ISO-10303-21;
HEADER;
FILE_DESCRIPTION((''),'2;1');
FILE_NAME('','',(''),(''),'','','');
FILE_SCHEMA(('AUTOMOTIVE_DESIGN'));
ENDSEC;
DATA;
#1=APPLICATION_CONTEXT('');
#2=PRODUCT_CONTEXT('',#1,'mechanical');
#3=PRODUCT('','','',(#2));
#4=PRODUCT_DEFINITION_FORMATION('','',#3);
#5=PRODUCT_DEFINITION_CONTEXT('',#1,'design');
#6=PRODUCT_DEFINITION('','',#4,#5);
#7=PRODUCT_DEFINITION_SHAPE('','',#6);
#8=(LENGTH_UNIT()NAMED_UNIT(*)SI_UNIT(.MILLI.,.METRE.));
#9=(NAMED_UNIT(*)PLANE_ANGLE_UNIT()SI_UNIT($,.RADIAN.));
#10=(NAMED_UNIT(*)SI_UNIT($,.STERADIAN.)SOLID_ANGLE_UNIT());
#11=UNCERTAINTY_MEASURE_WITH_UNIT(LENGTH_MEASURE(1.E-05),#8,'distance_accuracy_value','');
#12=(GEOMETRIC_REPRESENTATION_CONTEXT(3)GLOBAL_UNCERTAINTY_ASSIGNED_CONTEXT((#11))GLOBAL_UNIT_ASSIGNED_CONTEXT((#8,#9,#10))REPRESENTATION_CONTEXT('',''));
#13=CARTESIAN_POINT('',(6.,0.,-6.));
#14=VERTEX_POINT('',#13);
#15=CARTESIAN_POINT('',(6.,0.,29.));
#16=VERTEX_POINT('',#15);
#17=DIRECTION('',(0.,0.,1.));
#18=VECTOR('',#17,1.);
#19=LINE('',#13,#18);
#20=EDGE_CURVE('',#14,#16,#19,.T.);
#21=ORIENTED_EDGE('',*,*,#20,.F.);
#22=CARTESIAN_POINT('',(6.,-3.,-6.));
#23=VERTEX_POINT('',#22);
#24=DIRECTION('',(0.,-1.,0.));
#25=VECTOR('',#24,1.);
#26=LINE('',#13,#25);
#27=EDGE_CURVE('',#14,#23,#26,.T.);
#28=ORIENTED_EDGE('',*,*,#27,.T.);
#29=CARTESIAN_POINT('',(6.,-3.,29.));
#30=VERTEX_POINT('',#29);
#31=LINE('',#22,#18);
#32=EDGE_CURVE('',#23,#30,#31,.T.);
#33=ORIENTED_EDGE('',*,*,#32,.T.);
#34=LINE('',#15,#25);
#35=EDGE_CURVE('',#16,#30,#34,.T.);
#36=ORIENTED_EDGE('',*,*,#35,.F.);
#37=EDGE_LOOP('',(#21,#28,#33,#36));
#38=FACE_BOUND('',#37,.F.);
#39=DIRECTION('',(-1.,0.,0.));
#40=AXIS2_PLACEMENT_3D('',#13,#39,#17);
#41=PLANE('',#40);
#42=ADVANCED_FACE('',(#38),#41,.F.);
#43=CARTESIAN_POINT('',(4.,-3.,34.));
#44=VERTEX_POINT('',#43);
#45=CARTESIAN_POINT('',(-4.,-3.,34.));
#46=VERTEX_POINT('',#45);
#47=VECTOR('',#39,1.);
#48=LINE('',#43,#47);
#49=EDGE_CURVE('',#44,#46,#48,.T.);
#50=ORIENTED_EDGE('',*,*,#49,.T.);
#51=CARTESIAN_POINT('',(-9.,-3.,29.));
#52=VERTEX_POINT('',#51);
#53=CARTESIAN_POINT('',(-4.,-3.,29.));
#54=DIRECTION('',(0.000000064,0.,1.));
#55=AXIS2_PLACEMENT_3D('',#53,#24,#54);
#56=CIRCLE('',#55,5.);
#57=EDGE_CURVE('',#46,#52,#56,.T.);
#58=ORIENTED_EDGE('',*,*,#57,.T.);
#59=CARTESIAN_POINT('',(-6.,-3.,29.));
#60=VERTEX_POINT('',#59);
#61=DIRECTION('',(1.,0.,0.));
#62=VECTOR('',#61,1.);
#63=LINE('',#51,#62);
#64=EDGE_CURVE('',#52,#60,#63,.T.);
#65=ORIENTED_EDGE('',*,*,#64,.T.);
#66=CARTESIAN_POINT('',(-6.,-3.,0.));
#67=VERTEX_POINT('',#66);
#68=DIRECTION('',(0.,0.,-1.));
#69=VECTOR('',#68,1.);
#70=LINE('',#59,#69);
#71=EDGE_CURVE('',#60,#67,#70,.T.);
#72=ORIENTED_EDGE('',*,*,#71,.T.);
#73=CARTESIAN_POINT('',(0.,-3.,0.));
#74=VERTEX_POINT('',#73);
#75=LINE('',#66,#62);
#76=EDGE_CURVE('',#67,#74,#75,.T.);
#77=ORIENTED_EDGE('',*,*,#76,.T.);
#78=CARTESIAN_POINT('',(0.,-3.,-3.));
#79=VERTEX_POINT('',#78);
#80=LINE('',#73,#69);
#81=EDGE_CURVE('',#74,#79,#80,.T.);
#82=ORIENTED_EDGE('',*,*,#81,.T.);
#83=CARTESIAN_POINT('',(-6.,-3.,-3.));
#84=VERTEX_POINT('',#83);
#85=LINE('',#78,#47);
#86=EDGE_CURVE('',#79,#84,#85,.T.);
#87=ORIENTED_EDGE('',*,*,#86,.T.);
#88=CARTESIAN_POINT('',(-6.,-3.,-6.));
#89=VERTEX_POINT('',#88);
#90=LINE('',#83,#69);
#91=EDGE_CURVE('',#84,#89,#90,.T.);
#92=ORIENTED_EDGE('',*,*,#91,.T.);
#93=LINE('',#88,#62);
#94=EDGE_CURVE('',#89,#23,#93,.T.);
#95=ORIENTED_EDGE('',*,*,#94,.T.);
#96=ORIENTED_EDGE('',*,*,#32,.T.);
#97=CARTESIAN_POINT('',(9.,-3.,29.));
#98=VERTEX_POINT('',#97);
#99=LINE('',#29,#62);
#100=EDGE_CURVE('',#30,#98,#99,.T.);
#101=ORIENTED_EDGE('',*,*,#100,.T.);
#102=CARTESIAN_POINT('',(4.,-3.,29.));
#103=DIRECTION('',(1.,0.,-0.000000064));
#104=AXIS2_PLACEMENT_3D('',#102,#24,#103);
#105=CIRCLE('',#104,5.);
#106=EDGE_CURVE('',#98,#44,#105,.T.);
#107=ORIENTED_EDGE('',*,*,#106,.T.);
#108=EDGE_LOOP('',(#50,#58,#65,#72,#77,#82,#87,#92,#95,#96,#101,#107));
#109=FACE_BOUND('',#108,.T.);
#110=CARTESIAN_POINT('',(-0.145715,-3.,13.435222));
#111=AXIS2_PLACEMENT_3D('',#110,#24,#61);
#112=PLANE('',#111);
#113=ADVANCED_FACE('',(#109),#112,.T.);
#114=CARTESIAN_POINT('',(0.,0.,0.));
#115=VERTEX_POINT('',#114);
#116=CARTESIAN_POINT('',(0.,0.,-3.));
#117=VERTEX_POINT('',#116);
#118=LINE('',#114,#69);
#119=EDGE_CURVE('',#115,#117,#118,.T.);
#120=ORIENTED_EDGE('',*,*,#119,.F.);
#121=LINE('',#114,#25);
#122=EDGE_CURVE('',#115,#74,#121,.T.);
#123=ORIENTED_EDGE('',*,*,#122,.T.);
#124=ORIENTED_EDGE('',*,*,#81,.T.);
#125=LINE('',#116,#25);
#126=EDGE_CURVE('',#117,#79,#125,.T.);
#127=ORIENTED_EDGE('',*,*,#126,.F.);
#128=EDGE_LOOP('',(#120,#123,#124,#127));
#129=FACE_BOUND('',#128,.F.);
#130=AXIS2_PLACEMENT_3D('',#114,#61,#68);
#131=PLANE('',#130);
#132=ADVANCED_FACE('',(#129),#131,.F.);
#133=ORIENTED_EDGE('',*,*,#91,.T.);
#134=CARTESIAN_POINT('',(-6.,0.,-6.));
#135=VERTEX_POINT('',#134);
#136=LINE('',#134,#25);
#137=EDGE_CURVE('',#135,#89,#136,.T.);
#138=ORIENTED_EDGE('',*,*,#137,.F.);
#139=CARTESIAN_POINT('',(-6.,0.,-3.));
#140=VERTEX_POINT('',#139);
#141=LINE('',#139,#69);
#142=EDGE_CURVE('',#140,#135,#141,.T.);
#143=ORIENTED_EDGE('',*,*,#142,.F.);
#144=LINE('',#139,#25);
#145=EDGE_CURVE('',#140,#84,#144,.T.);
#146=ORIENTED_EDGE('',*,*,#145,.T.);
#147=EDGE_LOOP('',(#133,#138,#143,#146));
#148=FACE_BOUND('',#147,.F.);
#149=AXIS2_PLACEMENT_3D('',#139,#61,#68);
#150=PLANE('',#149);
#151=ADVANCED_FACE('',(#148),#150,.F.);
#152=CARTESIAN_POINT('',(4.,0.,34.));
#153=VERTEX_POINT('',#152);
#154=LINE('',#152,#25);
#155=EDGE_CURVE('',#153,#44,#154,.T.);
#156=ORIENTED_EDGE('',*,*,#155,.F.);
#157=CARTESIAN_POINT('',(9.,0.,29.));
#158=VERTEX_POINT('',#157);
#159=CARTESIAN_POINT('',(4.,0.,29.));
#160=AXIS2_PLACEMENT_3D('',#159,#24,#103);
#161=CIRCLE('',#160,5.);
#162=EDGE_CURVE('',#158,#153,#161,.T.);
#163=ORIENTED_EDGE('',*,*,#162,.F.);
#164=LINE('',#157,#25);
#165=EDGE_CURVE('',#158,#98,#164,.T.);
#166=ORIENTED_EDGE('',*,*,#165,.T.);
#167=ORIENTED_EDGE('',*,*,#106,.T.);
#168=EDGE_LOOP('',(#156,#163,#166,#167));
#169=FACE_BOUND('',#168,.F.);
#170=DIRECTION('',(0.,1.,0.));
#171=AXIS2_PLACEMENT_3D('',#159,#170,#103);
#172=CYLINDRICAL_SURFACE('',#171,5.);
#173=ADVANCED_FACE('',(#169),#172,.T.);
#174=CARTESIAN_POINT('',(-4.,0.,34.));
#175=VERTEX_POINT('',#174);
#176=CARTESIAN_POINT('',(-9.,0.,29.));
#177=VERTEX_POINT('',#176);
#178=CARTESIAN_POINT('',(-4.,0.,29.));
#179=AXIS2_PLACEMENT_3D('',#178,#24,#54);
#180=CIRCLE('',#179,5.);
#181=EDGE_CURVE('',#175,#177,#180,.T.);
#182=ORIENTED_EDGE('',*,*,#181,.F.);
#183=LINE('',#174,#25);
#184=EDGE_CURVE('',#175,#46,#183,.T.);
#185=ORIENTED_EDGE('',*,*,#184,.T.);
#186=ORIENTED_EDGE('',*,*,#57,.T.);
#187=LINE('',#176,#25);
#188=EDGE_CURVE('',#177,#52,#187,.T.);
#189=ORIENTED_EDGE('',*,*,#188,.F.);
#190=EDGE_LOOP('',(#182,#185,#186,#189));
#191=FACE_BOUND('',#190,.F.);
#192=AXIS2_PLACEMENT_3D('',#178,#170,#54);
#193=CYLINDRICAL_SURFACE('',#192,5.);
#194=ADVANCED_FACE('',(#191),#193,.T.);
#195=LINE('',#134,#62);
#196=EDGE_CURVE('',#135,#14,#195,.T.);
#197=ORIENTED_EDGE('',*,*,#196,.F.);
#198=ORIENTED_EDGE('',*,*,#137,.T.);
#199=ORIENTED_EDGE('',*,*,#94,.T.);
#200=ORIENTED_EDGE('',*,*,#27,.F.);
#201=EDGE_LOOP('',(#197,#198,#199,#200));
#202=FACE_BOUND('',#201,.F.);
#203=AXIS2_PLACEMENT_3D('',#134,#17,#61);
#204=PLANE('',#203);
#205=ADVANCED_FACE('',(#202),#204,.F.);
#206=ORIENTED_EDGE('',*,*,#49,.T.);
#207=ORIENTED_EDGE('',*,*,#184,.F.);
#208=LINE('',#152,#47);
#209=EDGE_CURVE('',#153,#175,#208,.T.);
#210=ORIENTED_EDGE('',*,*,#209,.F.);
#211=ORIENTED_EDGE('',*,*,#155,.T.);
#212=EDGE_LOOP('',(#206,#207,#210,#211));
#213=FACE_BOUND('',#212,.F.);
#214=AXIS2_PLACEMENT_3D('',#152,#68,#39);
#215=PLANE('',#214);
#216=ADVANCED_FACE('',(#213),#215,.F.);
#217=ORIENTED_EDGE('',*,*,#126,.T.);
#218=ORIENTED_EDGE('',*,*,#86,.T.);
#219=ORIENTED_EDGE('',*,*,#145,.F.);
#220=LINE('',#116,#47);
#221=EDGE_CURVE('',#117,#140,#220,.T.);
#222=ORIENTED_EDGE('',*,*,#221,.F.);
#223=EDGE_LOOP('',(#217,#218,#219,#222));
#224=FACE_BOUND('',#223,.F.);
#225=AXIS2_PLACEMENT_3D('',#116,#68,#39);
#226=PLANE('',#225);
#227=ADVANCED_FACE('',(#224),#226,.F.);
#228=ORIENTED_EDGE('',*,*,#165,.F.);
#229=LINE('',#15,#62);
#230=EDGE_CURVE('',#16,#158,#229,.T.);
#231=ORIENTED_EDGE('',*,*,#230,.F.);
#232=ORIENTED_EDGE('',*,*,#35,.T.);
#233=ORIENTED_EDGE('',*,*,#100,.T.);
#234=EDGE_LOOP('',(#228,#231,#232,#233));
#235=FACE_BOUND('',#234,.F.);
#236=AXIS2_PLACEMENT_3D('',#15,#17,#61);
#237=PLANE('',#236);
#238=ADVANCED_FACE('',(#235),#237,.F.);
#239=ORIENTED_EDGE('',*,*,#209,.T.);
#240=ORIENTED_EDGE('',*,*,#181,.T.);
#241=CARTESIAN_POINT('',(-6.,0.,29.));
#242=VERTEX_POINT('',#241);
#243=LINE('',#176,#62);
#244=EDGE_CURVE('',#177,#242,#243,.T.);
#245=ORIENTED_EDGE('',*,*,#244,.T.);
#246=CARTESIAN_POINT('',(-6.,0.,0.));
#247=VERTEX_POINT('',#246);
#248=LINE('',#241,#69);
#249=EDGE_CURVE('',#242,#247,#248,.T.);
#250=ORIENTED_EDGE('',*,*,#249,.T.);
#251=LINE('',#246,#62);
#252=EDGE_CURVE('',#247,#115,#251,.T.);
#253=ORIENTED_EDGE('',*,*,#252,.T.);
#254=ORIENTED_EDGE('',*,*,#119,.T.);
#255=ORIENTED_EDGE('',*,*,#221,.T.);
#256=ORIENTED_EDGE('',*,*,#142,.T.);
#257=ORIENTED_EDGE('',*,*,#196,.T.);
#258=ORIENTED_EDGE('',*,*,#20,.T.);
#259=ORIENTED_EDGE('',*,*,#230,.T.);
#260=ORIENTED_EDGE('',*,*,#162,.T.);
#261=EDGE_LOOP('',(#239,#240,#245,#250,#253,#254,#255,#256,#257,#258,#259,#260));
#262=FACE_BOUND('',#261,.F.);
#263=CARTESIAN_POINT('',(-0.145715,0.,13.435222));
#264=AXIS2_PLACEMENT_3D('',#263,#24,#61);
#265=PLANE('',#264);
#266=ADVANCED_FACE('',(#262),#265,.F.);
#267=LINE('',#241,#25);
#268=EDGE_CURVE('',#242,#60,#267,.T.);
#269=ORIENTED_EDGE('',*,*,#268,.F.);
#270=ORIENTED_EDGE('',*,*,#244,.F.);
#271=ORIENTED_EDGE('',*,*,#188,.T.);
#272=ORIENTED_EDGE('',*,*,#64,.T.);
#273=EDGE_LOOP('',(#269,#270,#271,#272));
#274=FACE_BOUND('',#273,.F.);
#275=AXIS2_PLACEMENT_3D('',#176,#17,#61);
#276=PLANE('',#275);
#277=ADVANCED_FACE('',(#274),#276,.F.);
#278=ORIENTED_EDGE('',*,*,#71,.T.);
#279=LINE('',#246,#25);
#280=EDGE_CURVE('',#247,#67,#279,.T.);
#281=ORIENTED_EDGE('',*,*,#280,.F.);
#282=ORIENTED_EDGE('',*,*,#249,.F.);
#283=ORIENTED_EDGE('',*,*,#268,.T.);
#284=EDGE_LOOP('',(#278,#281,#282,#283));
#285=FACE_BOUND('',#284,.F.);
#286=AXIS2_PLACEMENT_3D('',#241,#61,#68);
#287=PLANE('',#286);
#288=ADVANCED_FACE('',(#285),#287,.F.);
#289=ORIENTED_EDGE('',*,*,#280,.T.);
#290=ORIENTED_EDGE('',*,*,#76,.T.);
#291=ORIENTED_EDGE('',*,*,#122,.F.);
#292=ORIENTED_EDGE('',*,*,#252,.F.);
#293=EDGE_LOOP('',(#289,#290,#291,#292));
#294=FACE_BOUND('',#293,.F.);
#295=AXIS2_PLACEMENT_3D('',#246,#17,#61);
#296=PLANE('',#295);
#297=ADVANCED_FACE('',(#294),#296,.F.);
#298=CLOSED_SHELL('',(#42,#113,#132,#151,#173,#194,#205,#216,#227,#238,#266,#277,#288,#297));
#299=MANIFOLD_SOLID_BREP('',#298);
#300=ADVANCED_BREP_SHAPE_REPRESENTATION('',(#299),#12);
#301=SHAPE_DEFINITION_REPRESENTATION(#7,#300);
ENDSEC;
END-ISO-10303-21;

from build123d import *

# Parameters (mm, degrees)
F1_DEPTH = 3


with BuildPart() as f1:
    # F0 (on Front) → F1 (new body)
    with BuildSketch(Plane.XZ):
        with BuildLine():
            Line((-9, 29), (-6, 29))
            Line((-6, 29), (-6, 0))
            Line((-6, 0), (0, 0))
            Line((0, 0), (0, -3))
            Line((0, -3), (-6, -3))
            Line((-6, -3), (-6, -6))
            Line((-6, -6), (6, -6))
            Line((6, -6), (6, 29))
            Line((6, 29), (9, 29))
            ThreePointArc((9, 29), (7.535534, 32.535534), (4, 34))
            Line((4, 34), (-4, 34))
            ThreePointArc((-4, 34), (-7.535534, 32.535534), (-9, 29))
        make_face()
    extrude(amount=F1_DEPTH)


solid = f1.part
